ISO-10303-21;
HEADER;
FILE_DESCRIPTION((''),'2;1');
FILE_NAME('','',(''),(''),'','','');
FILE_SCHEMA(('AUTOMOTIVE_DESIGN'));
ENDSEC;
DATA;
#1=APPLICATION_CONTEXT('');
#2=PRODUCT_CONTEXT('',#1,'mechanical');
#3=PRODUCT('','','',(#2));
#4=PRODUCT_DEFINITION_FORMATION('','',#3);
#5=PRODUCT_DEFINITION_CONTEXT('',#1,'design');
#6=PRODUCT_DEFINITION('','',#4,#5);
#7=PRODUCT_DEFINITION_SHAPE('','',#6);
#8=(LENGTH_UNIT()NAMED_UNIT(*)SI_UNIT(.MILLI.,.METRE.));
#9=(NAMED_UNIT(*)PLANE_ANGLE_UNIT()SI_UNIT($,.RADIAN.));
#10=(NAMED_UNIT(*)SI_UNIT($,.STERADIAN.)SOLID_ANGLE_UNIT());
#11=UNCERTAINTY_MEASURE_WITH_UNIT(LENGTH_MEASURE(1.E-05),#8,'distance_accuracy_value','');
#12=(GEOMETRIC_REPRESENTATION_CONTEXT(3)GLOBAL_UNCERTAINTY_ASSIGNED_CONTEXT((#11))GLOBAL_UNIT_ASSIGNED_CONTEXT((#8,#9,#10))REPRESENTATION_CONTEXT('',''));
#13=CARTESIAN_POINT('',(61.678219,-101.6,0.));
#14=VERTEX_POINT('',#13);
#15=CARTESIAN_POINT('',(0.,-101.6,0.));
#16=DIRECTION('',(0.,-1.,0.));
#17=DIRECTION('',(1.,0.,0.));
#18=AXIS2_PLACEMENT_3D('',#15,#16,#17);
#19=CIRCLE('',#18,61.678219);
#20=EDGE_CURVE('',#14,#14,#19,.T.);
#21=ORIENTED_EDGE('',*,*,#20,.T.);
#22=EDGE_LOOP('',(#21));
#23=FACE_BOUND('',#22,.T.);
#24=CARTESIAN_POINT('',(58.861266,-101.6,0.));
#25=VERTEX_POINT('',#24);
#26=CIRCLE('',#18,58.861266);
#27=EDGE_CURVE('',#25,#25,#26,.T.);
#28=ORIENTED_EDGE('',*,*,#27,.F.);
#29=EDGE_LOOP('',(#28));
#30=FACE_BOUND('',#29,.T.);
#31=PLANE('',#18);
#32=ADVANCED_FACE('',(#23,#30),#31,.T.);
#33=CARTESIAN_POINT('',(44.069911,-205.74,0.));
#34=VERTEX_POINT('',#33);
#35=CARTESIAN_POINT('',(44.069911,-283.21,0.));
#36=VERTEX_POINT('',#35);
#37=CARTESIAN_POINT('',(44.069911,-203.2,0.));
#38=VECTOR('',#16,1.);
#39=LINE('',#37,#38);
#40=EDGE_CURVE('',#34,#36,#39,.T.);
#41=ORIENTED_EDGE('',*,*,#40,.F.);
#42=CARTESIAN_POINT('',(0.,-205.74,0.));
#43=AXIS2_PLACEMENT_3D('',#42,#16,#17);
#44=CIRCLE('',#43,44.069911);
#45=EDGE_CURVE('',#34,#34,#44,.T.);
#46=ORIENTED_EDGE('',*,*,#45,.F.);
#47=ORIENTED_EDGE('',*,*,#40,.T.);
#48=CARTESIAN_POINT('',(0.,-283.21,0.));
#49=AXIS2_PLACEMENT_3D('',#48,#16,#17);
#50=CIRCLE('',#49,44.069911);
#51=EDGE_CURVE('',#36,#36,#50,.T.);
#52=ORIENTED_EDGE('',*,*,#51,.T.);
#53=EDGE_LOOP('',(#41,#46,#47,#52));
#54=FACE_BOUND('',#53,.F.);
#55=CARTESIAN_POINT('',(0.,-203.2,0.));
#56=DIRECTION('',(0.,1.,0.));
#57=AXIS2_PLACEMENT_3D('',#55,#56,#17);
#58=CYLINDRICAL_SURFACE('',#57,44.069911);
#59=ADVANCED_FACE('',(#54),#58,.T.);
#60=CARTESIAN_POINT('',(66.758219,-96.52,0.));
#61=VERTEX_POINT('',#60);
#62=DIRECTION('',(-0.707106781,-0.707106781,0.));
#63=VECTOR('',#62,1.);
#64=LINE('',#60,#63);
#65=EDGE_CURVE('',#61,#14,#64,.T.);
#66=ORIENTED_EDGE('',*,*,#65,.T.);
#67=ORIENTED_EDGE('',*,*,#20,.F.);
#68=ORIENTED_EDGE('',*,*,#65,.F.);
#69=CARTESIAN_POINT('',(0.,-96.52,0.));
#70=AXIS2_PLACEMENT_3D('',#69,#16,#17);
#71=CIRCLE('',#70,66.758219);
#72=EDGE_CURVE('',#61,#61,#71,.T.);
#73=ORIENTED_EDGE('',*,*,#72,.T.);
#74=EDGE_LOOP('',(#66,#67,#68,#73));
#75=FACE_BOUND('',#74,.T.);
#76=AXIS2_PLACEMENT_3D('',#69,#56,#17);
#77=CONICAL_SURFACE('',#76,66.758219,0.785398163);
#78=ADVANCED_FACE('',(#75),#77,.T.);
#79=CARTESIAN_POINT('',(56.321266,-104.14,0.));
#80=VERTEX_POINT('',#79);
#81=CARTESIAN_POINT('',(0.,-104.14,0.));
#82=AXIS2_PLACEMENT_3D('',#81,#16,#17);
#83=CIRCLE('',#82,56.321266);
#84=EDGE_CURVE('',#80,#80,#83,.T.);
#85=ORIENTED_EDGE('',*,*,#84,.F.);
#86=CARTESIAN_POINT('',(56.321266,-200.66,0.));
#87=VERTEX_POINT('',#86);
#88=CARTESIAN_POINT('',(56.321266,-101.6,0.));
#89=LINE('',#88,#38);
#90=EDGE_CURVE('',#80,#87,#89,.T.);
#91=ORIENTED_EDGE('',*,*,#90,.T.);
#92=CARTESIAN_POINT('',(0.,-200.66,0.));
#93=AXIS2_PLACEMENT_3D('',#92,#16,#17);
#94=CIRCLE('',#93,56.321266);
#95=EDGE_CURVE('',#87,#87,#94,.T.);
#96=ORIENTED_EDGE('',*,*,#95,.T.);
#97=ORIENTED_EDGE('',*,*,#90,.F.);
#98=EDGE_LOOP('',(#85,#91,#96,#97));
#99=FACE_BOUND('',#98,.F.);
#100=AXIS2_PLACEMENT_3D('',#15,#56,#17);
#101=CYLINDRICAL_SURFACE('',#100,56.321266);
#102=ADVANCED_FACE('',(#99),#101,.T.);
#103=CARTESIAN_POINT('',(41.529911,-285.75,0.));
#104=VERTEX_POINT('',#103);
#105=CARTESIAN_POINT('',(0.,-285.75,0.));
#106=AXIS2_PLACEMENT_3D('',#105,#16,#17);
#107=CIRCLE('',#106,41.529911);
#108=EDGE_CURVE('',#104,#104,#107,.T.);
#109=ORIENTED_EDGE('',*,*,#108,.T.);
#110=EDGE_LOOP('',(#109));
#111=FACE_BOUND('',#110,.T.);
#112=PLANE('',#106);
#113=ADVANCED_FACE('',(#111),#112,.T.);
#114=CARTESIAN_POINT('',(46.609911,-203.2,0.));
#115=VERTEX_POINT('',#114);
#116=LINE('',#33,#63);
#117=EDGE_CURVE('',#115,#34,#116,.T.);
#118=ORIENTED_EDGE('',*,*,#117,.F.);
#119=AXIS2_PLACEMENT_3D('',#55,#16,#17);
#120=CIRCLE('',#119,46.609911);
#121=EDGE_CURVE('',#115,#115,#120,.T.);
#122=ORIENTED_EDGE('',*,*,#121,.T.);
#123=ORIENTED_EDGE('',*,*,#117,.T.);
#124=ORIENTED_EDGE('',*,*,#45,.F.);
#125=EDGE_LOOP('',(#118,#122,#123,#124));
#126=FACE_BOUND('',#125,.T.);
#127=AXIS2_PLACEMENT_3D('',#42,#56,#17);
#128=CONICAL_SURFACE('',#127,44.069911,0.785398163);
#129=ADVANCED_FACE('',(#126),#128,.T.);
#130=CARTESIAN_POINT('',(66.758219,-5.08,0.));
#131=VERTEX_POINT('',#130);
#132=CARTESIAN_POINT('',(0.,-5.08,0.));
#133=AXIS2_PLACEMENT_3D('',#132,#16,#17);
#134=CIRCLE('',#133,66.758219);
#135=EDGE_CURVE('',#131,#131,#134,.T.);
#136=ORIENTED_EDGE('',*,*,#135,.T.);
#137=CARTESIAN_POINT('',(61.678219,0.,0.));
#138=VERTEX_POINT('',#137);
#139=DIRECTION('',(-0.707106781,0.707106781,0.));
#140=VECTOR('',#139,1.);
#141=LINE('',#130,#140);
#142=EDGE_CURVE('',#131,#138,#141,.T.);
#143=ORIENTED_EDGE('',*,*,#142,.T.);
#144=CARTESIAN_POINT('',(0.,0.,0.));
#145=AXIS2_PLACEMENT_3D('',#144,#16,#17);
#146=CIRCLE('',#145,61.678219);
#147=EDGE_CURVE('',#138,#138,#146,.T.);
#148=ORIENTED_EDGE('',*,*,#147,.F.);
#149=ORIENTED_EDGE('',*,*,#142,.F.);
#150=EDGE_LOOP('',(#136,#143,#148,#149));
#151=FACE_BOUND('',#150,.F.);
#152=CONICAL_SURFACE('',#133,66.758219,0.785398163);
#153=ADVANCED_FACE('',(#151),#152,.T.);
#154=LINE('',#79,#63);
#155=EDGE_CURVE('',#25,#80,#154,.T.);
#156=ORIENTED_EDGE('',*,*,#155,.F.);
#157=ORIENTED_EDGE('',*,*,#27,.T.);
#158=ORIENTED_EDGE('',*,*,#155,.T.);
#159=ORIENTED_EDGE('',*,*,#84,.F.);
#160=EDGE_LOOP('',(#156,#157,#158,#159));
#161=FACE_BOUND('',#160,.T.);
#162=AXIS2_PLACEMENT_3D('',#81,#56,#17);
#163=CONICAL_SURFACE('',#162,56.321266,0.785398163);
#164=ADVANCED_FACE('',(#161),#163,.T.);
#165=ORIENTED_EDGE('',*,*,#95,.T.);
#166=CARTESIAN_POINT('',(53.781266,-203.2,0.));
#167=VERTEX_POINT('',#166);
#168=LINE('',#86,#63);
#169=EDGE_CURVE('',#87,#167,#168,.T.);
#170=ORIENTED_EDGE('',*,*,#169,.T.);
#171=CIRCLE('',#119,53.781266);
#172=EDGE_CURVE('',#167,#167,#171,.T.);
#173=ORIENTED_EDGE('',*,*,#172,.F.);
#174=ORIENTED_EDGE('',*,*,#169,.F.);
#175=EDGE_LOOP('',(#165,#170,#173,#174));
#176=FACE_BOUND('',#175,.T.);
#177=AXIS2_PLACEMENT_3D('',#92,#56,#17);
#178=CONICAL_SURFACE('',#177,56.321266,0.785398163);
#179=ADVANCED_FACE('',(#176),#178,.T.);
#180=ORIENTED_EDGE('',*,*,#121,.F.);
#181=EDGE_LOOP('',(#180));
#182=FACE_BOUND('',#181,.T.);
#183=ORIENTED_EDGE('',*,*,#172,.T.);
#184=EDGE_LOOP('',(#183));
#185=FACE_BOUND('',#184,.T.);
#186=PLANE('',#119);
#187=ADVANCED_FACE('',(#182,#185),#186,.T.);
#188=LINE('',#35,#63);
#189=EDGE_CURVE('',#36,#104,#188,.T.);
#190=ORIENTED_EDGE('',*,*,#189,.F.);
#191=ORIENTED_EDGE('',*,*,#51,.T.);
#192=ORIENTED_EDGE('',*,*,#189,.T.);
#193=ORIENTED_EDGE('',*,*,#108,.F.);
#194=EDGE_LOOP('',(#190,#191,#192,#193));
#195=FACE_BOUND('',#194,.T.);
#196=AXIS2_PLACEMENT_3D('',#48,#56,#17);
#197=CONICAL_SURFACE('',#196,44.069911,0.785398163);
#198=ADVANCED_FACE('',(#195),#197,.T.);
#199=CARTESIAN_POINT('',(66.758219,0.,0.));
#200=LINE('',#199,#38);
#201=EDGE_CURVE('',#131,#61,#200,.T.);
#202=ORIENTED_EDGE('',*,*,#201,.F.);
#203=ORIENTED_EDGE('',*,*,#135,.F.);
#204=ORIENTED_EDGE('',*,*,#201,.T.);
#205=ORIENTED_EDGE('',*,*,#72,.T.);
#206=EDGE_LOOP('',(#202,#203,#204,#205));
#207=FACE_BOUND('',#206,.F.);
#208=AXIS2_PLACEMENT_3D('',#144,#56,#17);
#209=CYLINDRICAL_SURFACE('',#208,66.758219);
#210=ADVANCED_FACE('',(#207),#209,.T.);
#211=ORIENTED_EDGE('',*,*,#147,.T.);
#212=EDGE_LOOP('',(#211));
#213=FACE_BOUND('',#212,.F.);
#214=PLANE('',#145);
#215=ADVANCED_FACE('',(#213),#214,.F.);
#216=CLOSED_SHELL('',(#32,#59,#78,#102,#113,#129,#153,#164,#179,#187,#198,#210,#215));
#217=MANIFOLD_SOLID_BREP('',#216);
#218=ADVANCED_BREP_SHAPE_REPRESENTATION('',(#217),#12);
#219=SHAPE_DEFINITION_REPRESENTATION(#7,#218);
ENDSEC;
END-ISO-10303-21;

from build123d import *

# Parameters (mm, degrees)
F0_R     = 66.758219
F1_DEPTH = 101.6
F2_R     = 56.321266
F3_DEPTH = 101.6
F4_R     = 44.069911
F5_DEPTH = 82.55
F6_SIZE  = 5.08
F7_SIZE  = 2.54


with BuildPart() as f1:
    # F0 (on Front) → F1 (new body)
    with BuildSketch(Plane.XZ):
        Circle(F0_R)
    extrude(amount=F1_DEPTH)

    # F2 (on face) → F3 (join)
    with BuildSketch(Plane.XZ.offset(101.6)):
        Circle(F2_R)
    extrude(amount=F3_DEPTH)

    # F4 (on face) → F5 (join)
    with BuildSketch(Plane.XZ.offset(203.2)):
        Circle(F4_R)
    extrude(amount=F5_DEPTH)

    # F6
    f6_edges = [f1.edges().sort_by_distance(p)[0] for p in [
        (66.758219, -50.8, 0),
        (-66.758219, 0, 0),
        (-66.758219, -101.6, 0),
    ]]
    chamfer(f6_edges, length=F6_SIZE)

    # F7
    f7_edges = [f1.edges().sort_by_distance(p)[0] for p in [
        (56.321266, -152.4, 0),
        (-56.321266, -101.6, 0),
        (-56.321266, -203.2, 0),
        (44.069911, -244.475, 0),
        (-44.069911, -203.2, 0),
        (-44.069911, -285.75, 0),
    ]]
    chamfer(f7_edges, length=F7_SIZE)


solid = f1.part
